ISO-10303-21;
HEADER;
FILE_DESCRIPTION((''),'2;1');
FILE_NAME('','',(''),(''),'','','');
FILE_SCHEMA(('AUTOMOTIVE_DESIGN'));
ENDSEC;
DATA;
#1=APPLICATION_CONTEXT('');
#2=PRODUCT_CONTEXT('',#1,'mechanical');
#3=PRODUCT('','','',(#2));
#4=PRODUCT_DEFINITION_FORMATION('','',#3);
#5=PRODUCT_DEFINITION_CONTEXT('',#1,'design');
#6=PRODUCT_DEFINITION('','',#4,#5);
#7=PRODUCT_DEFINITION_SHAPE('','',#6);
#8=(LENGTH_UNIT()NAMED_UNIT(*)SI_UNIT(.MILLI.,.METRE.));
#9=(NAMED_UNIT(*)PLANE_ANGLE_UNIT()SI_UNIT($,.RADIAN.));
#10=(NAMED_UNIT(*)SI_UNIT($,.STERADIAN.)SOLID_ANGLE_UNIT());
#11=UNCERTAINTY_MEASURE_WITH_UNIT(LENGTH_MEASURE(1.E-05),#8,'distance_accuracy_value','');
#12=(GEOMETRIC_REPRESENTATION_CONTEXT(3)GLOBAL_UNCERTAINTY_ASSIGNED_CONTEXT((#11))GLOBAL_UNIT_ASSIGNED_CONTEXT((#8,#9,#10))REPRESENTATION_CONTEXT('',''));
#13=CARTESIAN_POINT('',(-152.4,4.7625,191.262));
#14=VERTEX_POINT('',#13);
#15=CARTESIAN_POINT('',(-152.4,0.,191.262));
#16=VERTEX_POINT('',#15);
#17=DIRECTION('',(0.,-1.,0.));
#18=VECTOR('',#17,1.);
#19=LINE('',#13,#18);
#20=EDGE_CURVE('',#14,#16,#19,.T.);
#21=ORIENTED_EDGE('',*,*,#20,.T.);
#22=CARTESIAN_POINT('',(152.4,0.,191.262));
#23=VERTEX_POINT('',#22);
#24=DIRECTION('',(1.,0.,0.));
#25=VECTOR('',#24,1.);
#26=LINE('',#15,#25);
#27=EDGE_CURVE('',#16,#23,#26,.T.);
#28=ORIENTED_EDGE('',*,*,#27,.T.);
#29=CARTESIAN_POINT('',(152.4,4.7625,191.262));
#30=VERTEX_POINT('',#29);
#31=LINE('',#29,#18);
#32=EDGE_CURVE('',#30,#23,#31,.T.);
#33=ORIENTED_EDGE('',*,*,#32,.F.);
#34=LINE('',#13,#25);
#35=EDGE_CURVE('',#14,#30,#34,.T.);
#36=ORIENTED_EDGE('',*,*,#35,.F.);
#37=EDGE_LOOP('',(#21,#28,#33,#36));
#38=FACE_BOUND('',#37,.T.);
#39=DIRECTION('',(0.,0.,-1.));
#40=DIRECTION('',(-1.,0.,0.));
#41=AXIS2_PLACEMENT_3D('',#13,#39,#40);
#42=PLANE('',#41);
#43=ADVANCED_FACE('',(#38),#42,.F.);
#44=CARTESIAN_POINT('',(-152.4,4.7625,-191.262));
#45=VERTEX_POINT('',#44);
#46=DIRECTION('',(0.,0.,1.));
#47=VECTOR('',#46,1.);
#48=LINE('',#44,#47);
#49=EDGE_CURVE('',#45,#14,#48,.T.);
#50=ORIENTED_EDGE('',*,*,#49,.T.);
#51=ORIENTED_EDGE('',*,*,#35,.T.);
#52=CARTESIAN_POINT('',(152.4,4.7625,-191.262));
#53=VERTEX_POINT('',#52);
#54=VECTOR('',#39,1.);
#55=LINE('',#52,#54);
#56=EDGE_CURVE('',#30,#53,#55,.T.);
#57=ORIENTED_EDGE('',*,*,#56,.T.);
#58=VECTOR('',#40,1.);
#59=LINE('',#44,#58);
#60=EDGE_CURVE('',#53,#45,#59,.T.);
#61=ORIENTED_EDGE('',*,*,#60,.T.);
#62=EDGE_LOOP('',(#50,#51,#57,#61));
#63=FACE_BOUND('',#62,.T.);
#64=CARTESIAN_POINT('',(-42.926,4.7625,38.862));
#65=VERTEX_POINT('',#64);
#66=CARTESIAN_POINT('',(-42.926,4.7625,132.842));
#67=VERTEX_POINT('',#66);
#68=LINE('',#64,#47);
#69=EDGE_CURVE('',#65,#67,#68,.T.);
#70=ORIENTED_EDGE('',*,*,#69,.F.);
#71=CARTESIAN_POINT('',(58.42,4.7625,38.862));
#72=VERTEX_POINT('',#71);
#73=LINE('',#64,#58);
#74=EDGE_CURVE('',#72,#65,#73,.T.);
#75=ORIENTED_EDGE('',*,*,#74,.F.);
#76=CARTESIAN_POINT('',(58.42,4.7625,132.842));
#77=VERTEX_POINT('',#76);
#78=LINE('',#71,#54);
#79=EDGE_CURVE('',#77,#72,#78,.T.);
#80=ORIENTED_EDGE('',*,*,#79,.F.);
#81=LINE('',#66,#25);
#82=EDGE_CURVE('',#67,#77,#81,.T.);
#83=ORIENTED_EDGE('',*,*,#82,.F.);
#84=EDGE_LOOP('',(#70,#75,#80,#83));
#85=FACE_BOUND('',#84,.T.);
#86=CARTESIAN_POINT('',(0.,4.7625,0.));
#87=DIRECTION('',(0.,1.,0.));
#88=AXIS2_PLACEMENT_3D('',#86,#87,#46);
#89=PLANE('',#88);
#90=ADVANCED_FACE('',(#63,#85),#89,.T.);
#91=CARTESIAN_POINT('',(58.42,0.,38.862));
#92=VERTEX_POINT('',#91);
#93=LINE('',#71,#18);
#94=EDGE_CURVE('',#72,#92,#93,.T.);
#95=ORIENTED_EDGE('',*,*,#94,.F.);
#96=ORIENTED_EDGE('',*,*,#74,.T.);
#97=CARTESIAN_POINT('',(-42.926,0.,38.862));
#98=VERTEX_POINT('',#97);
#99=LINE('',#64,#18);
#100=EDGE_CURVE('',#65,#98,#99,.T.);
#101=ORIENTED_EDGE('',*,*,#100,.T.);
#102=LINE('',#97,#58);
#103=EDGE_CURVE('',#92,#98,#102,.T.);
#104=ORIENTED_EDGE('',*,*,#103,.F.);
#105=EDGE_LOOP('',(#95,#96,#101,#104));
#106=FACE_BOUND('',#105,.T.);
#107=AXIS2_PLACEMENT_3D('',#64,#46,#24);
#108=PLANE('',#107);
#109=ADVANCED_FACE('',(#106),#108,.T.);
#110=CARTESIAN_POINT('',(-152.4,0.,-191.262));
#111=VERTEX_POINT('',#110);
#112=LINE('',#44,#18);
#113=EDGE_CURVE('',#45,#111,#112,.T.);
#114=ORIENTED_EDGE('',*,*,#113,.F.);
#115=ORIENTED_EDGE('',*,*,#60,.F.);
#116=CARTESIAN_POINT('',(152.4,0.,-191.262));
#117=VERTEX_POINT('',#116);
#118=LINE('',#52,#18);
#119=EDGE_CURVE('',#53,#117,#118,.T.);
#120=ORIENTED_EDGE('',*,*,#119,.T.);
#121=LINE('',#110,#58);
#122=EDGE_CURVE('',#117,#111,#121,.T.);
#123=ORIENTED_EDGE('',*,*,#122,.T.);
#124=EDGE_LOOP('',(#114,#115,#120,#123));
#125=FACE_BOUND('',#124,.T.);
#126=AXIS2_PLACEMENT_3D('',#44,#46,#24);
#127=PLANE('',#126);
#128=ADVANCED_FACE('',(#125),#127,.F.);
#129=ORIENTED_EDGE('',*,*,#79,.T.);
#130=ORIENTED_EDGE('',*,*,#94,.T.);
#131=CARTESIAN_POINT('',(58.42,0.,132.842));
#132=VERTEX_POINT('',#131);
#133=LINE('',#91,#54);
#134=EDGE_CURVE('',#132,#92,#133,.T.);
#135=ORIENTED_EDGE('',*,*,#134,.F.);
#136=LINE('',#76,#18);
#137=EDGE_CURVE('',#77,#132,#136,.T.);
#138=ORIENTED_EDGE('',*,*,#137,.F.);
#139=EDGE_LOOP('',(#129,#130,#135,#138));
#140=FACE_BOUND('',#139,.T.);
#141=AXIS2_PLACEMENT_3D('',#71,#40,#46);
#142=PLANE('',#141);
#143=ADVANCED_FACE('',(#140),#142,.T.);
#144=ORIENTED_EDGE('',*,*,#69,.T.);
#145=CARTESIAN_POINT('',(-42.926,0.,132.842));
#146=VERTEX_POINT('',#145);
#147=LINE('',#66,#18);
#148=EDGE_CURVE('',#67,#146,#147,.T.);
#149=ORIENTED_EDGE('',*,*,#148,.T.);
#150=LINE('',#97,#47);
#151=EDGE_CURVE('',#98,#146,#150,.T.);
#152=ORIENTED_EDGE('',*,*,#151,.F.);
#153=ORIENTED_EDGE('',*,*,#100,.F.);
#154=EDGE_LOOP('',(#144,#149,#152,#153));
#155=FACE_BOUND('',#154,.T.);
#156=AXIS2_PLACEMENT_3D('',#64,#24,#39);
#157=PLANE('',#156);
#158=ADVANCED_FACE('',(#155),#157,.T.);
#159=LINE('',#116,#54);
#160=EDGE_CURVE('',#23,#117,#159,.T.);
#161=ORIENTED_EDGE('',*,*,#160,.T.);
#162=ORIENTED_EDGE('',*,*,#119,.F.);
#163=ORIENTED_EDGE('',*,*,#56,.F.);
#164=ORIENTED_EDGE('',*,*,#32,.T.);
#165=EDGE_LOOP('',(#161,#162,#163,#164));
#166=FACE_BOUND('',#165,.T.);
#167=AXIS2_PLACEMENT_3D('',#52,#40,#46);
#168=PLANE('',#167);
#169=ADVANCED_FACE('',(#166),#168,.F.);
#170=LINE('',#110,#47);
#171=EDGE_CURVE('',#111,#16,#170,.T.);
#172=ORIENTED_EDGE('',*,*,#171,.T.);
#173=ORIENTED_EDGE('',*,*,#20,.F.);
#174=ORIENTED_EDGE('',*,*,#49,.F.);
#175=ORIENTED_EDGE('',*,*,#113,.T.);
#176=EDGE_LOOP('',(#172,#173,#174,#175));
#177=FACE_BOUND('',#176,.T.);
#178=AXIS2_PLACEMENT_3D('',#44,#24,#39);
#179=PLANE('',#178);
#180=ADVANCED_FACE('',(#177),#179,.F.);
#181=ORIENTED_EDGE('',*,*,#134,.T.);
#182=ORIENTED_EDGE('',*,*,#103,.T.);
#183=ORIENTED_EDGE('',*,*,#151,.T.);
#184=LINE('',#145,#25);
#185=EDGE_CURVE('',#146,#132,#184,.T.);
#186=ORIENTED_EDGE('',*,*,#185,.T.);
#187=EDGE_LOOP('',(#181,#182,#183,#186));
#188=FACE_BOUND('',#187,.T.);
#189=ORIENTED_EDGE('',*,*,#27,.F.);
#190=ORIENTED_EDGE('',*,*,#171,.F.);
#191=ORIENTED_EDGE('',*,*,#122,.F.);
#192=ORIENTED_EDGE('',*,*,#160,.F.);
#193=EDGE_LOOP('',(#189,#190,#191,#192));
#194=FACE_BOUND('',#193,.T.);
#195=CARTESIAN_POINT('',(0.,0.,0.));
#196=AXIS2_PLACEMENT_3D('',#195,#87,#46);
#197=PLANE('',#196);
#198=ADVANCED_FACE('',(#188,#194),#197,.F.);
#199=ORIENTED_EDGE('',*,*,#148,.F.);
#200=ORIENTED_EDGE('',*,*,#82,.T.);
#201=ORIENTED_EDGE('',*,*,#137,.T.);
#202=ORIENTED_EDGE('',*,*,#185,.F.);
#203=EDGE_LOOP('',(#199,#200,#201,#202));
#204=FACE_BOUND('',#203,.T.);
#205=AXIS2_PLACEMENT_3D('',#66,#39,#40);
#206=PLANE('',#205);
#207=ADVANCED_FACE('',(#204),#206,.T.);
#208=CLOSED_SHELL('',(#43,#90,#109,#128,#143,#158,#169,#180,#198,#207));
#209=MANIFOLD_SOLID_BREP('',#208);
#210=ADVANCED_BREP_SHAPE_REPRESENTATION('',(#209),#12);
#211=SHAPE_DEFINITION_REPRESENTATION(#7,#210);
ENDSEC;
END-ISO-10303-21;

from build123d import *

# Parameters (mm, degrees)
SKETCH1_W           = 304.8
SKETCH1_H           = 382.524
SKETCH1_W_2         = 101.346
SKETCH1_H_2         = 93.98
BOSS_EXTRUDE1_DEPTH = 4.7625


with BuildPart() as part:
    # Sketch1 → Boss-Extrude1 (new body)
    with BuildSketch(Plane(origin=(0, 0, 0), x_dir=(1, 0, 0), z_dir=(0, 1, 0))):
        Rectangle(SKETCH1_W, SKETCH1_H)
        with Locations((7.747, -85.852)):
            Rectangle(SKETCH1_W_2, SKETCH1_H_2, mode=Mode.SUBTRACT)
    extrude(amount=BOSS_EXTRUDE1_DEPTH)


solid = part.part
